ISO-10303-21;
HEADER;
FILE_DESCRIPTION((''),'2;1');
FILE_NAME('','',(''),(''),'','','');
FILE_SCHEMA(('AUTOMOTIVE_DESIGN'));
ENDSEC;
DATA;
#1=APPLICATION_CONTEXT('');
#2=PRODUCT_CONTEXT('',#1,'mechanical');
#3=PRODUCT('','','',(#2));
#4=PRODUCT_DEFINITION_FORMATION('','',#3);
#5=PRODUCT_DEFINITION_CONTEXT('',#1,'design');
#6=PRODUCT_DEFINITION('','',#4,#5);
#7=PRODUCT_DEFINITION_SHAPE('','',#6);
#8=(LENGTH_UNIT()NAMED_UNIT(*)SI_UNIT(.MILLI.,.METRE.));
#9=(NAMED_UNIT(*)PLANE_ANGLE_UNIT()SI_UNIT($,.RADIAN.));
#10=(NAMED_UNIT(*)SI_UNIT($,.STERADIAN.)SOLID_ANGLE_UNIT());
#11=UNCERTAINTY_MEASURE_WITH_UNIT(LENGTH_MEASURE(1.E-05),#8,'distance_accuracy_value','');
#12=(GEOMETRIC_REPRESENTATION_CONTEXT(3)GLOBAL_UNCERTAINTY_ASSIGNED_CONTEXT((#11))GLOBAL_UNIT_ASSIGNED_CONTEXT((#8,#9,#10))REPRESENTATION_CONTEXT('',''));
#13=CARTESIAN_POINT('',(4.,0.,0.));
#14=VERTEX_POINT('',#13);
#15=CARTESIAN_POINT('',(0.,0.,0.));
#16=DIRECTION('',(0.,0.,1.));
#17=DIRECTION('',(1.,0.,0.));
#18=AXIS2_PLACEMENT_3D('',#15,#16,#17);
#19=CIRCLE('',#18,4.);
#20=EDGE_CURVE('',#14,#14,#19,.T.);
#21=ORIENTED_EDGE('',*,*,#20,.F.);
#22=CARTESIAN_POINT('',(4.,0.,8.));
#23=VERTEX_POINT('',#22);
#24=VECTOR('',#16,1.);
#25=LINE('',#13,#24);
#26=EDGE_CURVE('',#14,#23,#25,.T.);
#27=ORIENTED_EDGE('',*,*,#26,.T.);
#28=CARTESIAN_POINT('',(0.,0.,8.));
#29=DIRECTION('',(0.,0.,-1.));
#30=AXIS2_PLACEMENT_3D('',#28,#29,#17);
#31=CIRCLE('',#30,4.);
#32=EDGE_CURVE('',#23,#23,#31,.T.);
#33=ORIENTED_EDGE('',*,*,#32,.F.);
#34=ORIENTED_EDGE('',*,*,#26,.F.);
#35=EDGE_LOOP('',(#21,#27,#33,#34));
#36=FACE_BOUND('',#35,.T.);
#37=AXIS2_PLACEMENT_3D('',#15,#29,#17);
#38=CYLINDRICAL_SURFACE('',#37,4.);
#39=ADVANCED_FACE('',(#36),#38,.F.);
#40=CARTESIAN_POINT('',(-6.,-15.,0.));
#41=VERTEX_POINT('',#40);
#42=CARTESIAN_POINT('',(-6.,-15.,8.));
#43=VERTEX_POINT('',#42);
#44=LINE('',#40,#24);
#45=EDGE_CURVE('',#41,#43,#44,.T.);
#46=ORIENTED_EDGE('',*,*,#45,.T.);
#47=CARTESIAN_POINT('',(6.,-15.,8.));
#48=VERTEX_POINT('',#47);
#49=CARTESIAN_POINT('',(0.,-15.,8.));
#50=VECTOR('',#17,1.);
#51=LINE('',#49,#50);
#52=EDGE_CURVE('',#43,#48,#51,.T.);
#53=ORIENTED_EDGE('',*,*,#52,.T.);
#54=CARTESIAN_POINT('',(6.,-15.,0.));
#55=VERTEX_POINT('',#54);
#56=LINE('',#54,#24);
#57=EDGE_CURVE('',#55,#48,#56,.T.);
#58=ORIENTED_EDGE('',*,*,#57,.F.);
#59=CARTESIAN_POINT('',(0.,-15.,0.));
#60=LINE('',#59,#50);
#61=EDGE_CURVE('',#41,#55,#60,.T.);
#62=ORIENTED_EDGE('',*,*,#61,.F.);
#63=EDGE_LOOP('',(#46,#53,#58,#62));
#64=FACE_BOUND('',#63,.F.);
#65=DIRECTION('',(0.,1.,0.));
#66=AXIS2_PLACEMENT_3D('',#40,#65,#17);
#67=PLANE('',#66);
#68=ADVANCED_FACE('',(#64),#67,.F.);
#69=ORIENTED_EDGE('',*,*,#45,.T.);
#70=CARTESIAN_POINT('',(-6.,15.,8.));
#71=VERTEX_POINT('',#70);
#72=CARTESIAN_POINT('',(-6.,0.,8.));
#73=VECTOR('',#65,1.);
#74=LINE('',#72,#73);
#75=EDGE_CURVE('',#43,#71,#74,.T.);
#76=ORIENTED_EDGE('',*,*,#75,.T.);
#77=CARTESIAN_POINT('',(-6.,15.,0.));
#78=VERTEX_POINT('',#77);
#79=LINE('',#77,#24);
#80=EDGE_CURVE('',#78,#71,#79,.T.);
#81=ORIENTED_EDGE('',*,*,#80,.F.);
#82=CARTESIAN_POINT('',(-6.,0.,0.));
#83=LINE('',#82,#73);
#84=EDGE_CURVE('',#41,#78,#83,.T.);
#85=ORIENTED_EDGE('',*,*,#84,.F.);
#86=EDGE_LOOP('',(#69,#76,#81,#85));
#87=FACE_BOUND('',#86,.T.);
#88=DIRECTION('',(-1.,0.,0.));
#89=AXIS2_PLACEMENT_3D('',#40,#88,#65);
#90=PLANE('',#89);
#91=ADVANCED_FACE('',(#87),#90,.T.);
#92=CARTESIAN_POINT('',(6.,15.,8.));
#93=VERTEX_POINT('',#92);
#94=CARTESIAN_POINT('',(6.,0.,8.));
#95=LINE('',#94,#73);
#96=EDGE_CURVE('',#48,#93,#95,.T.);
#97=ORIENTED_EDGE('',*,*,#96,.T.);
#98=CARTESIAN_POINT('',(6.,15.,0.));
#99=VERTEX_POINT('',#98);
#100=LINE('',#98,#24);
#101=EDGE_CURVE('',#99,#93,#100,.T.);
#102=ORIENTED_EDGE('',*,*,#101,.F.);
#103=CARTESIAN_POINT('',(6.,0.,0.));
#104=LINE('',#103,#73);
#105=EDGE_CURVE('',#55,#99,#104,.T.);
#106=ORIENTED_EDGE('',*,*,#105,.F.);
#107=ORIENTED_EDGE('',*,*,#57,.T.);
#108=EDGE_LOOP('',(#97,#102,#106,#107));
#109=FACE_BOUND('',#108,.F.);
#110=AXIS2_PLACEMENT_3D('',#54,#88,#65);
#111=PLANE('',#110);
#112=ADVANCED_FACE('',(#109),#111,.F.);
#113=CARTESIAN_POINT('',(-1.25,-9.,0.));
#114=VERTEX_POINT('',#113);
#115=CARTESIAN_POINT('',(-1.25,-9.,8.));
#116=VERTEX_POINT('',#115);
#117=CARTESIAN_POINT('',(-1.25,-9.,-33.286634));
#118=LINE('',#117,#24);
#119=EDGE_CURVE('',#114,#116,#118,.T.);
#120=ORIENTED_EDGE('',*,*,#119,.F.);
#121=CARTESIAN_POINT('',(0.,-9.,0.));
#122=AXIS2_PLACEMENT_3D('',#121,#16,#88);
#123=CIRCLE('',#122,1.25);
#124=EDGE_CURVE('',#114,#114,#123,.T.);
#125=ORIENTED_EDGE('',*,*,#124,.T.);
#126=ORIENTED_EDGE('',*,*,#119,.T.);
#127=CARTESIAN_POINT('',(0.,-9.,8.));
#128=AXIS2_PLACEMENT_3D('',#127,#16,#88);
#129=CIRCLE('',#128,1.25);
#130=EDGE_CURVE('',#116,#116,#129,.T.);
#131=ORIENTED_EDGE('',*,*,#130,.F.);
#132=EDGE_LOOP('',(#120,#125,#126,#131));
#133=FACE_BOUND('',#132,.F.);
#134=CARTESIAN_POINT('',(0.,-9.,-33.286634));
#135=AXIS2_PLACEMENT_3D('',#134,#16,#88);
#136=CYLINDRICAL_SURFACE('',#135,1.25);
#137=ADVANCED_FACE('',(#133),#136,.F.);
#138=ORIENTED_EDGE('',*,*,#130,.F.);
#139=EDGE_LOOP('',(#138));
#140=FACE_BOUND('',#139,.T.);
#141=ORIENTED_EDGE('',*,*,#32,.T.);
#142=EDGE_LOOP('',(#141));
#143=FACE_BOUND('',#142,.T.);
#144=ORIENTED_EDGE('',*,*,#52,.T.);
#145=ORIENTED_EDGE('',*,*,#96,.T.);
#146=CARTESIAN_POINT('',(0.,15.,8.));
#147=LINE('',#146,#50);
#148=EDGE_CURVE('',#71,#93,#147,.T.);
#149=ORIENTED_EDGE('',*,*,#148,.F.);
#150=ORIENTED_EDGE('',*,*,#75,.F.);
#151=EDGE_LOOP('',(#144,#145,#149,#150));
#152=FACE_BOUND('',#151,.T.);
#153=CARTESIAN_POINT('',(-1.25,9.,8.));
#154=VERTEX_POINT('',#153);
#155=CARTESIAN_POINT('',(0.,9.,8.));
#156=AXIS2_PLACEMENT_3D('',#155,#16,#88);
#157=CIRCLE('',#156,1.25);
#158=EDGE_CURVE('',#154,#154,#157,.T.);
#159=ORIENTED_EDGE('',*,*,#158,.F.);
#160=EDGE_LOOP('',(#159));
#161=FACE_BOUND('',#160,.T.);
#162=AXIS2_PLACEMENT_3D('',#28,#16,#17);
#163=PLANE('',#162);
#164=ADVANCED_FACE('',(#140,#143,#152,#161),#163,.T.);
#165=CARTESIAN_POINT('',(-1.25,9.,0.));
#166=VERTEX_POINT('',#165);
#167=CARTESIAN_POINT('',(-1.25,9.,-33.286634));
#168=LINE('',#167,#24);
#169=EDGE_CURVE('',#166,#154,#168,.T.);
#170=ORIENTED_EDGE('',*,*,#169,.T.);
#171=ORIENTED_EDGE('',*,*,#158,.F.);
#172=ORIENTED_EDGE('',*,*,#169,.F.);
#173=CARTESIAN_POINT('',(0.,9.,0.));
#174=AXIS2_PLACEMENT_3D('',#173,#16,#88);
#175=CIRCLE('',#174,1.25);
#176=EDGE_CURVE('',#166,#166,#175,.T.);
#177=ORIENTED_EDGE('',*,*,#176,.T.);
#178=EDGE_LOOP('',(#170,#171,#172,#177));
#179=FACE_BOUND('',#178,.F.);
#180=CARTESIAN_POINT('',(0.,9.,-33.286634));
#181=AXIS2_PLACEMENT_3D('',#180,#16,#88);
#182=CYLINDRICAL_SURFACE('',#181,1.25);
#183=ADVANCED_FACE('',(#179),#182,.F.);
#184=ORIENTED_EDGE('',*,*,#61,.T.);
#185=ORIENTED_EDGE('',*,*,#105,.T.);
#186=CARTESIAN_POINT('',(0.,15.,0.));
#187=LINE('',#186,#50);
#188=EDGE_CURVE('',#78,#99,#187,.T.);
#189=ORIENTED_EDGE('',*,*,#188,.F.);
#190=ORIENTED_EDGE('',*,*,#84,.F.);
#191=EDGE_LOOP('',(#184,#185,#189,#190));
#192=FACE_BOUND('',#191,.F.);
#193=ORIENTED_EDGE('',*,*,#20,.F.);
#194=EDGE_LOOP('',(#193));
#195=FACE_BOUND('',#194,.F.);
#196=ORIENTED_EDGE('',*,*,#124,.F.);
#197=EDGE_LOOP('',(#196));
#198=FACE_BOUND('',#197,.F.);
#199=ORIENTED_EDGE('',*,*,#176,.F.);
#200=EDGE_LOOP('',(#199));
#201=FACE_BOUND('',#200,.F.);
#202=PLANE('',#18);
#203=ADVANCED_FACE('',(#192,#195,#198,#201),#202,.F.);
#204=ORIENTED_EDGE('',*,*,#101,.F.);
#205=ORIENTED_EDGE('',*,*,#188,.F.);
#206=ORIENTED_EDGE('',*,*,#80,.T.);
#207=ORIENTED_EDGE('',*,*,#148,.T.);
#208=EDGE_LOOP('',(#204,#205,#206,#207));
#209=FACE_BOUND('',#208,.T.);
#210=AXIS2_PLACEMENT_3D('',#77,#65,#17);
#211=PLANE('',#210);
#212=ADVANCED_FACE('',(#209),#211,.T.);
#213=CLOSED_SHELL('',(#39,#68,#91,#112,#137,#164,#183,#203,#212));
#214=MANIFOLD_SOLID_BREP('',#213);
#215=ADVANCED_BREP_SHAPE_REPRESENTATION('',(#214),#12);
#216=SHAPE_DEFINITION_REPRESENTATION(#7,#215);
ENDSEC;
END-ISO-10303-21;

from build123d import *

# Parameters (mm, degrees)
F0_W     = 12
F0_H     = 30
F1_DEPTH = 8
F2_R     = 4
F3_DEPTH = 8.001
F5_D     = 2.5


with BuildPart() as f1:
    # F0 (on Top) → F1 (new body)
    with BuildSketch(Plane.XY):
        Rectangle(F0_W, F0_H)
    extrude(amount=F1_DEPTH)

    # F2 (on Top) → F3 (cut, through all)
    with BuildSketch(Plane.XY):
        Circle(F2_R)
    extrude(amount=F3_DEPTH, mode=Mode.SUBTRACT)

    # F5 (through all)
    with Locations(Plane(origin=(0, 0, 0), x_dir=(1, 0, 0), z_dir=(0, 0, -1))):
        with Locations((0, -9), (0, 9)):
            Hole(F5_D / 2)


solid = f1.part
